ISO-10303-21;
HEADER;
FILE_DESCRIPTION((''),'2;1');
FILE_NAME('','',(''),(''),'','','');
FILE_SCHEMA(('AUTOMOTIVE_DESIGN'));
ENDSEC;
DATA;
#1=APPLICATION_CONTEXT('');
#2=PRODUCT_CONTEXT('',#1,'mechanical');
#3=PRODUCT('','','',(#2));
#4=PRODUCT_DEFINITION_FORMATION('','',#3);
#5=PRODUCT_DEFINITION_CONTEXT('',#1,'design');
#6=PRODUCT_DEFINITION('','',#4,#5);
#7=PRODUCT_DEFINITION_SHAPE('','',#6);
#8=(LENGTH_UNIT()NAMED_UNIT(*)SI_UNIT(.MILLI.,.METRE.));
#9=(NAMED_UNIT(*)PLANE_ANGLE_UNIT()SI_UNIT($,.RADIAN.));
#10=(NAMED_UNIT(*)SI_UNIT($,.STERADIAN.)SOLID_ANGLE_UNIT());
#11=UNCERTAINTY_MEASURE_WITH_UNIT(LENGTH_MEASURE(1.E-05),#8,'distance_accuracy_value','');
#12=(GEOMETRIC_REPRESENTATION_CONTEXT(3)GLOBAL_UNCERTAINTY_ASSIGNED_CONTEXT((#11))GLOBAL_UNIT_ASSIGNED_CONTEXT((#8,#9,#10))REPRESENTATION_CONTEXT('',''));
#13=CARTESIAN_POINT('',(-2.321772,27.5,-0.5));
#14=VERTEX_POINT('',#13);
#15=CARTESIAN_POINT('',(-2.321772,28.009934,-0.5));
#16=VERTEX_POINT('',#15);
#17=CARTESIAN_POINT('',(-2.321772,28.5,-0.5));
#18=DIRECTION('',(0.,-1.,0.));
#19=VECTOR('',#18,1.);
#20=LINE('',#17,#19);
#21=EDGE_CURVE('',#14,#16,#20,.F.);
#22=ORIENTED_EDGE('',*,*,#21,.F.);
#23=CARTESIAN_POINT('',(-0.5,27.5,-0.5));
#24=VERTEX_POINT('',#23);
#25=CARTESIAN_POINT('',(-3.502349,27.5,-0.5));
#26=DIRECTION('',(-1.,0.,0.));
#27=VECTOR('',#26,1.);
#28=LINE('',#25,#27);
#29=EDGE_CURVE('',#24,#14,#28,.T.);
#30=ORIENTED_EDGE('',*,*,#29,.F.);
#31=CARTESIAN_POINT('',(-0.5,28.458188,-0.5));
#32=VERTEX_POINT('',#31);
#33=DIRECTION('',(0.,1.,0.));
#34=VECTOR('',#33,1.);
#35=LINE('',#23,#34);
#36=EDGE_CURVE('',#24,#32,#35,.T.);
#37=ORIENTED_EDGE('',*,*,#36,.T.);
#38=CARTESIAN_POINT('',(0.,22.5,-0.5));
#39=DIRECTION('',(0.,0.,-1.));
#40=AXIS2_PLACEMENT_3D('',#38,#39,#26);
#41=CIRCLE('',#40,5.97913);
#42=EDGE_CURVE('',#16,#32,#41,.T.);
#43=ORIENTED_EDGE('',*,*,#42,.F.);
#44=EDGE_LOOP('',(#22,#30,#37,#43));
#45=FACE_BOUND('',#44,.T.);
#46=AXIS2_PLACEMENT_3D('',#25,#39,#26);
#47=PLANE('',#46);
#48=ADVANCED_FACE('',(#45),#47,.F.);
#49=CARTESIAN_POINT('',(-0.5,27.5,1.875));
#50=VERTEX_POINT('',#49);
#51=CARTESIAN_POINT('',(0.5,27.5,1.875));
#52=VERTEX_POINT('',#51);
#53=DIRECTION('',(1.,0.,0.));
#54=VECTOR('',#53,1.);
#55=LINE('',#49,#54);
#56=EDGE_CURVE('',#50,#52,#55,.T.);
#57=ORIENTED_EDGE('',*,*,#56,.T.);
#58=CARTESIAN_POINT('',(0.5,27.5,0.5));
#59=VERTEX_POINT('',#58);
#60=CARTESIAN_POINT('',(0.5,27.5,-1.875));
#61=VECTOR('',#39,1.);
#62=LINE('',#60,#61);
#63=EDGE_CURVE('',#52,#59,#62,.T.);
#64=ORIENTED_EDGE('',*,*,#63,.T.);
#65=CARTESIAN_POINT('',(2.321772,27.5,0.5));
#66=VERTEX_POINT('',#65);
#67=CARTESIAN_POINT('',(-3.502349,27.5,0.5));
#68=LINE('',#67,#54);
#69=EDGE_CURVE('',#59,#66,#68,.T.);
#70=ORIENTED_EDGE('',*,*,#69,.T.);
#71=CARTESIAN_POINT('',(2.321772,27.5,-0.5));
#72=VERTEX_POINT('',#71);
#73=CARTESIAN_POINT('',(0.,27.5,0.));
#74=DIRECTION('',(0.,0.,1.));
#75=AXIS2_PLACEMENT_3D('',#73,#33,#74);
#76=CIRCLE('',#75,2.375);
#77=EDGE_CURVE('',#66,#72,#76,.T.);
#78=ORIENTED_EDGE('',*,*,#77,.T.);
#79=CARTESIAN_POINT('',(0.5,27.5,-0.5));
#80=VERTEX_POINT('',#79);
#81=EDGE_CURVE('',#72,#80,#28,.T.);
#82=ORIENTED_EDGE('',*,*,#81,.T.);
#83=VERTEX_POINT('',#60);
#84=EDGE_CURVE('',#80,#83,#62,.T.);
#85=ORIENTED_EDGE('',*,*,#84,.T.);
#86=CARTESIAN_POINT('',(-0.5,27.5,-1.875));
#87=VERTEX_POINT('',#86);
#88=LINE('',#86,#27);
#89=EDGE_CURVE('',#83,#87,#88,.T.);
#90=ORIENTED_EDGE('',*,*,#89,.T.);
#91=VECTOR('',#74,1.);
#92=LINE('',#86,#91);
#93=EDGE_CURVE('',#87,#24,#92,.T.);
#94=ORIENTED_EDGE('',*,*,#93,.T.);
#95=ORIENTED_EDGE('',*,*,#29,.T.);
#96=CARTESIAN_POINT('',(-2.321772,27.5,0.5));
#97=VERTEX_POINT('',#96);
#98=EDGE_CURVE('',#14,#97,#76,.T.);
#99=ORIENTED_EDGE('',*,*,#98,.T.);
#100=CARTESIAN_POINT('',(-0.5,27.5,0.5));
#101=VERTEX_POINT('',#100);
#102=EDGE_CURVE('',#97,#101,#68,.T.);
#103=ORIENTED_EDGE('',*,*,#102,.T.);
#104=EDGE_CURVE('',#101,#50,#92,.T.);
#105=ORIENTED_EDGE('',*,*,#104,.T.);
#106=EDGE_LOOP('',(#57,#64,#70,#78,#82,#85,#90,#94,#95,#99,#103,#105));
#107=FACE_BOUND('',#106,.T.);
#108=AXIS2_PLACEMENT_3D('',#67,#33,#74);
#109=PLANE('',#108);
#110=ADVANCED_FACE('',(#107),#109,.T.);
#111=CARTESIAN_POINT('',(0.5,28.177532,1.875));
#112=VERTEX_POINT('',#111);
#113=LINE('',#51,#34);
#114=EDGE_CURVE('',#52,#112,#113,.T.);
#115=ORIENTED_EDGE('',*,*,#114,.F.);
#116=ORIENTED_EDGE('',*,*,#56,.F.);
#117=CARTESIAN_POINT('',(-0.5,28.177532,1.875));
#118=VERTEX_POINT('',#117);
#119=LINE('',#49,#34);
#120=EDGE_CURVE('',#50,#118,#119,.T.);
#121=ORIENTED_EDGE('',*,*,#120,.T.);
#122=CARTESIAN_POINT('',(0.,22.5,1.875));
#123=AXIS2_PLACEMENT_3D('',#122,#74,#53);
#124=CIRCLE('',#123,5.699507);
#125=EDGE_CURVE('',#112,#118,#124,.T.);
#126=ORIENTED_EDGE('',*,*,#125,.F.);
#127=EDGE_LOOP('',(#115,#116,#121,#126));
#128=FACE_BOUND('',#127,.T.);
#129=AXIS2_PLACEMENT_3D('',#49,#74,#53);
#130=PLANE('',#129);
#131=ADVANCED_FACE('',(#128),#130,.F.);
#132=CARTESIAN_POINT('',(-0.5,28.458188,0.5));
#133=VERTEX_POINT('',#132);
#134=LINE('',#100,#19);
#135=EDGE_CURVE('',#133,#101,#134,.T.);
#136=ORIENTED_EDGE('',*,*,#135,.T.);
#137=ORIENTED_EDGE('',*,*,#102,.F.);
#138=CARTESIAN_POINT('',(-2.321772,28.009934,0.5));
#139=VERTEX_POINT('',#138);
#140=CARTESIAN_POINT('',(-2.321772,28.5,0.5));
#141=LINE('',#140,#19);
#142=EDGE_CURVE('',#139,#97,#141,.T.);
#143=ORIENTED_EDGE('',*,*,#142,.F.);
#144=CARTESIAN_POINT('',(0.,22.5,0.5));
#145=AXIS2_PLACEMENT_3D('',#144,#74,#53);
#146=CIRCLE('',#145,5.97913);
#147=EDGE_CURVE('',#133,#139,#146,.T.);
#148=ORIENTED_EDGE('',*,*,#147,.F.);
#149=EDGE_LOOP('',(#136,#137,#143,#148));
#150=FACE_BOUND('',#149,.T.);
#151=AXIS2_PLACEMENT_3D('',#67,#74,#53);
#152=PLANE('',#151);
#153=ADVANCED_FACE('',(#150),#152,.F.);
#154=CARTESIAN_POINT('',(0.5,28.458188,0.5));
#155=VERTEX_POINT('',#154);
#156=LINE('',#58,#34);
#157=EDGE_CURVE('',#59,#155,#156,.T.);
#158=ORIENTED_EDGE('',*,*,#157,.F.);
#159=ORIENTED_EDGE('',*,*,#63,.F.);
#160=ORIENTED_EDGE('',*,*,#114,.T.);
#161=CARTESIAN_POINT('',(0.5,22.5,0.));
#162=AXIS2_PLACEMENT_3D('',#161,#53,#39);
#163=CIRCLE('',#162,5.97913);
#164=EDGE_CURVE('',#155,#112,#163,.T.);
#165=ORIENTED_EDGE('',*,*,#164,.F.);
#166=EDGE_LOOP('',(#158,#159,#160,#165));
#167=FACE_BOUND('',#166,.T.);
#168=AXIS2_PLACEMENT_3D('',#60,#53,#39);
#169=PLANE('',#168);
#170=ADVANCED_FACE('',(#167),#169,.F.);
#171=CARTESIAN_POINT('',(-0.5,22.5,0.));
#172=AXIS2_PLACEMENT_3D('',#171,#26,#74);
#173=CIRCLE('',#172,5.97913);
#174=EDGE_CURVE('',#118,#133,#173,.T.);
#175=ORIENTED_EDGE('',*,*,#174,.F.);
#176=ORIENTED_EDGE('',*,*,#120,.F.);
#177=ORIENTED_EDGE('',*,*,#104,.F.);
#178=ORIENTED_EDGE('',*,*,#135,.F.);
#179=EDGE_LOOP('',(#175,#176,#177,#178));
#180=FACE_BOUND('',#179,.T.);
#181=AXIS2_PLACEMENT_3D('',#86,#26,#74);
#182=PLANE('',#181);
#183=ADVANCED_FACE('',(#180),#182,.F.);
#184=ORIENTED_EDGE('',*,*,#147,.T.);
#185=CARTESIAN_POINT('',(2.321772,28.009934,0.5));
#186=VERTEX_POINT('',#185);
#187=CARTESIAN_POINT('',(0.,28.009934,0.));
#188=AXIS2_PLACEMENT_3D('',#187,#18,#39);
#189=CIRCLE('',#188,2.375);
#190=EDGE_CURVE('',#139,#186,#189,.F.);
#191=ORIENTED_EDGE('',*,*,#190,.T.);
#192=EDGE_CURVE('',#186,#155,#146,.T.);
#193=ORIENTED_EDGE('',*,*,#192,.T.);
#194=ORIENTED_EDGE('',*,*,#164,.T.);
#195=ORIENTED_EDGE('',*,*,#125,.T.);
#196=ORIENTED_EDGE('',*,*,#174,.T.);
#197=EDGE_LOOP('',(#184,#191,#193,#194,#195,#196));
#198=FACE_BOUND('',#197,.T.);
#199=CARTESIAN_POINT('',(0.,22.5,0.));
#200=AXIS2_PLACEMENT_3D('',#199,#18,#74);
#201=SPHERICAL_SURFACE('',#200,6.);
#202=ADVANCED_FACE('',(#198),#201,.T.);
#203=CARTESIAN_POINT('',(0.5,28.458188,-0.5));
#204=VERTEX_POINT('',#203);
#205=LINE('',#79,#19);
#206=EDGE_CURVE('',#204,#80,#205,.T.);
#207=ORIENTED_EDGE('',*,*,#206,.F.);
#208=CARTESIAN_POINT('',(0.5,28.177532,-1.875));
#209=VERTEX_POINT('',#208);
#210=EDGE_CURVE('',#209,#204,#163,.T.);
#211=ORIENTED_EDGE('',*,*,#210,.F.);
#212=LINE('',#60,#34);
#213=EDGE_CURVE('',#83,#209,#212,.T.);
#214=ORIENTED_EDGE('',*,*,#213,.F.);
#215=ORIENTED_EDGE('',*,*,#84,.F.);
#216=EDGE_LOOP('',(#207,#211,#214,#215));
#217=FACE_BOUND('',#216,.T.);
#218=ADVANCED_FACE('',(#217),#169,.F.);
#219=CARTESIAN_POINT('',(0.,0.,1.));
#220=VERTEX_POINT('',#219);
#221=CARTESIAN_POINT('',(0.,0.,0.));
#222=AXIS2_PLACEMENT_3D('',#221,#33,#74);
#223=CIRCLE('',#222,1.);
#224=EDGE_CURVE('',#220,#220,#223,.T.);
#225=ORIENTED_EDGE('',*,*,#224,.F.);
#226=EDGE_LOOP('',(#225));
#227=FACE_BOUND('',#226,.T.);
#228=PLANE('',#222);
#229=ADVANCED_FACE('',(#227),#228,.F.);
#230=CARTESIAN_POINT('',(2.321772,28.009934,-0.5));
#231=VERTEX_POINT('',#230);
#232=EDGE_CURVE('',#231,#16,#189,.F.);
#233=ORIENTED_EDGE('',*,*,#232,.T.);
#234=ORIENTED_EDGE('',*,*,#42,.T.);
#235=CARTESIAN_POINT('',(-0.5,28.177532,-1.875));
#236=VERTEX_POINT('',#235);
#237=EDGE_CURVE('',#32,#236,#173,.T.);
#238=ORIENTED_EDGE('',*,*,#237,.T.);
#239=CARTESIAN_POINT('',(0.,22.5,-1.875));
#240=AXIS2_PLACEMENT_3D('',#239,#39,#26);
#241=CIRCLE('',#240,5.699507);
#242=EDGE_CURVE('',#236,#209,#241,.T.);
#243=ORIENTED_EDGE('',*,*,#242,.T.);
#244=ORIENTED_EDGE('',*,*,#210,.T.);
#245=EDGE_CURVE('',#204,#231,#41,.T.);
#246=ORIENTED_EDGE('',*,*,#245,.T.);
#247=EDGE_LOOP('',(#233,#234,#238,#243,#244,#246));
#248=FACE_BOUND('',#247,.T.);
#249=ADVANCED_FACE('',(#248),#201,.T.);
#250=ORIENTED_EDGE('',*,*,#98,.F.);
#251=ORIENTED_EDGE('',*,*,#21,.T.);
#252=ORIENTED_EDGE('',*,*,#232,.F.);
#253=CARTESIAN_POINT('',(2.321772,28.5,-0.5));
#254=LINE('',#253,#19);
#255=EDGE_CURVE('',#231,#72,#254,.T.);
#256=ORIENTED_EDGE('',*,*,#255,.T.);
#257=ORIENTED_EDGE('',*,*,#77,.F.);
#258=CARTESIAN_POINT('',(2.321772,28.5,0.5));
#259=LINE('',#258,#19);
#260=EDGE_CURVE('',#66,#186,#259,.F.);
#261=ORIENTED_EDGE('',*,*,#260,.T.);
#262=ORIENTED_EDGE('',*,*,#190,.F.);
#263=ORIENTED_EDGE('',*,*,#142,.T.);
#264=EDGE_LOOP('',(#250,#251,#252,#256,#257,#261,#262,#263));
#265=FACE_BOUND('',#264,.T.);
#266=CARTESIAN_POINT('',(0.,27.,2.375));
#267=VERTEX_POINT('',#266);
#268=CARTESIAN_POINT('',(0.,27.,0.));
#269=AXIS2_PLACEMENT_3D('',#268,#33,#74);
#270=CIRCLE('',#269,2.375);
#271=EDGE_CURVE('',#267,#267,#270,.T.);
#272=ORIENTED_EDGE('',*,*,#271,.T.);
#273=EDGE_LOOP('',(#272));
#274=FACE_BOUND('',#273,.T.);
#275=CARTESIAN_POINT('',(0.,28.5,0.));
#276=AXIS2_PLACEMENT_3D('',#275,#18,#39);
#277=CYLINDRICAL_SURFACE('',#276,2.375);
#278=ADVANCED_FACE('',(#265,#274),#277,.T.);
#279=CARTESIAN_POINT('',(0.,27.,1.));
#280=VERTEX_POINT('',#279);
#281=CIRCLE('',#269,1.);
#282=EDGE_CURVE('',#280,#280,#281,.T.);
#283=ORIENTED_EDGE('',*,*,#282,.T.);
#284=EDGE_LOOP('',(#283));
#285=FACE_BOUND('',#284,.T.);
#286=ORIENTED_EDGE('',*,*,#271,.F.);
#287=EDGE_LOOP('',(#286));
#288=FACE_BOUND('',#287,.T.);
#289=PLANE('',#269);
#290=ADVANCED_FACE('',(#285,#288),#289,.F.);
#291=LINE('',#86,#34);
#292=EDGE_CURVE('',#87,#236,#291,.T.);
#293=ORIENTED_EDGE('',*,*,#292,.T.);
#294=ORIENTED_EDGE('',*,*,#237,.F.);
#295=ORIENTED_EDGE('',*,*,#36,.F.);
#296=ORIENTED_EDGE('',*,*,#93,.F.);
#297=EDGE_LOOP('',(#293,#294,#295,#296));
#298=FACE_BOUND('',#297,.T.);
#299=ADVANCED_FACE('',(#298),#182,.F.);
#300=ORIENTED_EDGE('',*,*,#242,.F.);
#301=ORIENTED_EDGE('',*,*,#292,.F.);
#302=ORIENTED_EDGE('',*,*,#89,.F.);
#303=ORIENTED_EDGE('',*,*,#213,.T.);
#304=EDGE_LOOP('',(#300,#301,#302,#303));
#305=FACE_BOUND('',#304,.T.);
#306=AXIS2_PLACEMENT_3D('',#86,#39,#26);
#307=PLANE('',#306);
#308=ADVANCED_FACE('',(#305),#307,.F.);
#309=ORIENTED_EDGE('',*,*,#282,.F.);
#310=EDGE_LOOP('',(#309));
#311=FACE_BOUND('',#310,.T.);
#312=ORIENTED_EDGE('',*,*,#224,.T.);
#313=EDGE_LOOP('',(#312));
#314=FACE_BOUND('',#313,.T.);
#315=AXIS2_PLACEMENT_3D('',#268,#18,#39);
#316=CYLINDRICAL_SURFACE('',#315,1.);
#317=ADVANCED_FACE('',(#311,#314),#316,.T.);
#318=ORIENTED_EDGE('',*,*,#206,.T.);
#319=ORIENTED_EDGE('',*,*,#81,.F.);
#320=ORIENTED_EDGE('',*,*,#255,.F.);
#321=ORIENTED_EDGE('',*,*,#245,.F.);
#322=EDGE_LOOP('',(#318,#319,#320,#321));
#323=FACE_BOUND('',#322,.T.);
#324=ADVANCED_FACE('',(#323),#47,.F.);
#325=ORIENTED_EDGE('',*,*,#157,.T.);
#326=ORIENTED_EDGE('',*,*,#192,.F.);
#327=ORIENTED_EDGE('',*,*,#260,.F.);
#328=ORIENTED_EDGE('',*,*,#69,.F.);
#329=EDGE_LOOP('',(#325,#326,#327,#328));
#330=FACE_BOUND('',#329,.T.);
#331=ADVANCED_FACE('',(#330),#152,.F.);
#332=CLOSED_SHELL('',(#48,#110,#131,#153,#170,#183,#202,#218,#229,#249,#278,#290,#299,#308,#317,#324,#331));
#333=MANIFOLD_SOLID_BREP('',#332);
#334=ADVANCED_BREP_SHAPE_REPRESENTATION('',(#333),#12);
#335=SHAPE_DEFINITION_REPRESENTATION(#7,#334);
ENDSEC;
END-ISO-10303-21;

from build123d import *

# Parameters (mm, degrees)
SKETCH_1_R          = 1
EXTRUDE_1_DEPTH     = 27
SKETCH_2_R          = 2.375
EXTRUDE_2_DEPTH     = 1.5
SKETCH_3_W          = 7.004697232
SKETCH_3_H          = 1
CUT_EXTRUDE_1_DEPTH = 1
SKETCH_4_W          = 1
SKETCH_4_H          = 3.75
CUT_EXTRUDE_2_DEPTH = 1


with BuildPart() as part:
    # 草图1 → 拉伸1 (new body)
    with BuildSketch(Plane(origin=(0, 0, 0), x_dir=(1, 0, 0), z_dir=(0, 1, 0))):
        with Locations(Location((0, 0, 0), (0, 0, 270))):
            Circle(SKETCH_1_R)
    extrude(amount=EXTRUDE_1_DEPTH)

    # 草图2 → 拉伸2 (add)
    with BuildSketch(Plane(origin=(0, 27, 0), x_dir=(-1, 0, 0), z_dir=(0, 1, 0))):
        with Locations(Location((0, 0, 0), (0, 0, 90))):
            Circle(SKETCH_2_R)
    extrude(amount=EXTRUDE_2_DEPTH)

    # 草图3 → 切除-拉伸1 (cut)
    with BuildSketch(Plane(origin=(0, 28.5, 0), x_dir=(-1, 0, 0), z_dir=(0, 1, 0))):
        Rectangle(SKETCH_3_W, SKETCH_3_H)
    extrude(amount=-CUT_EXTRUDE_1_DEPTH, mode=Mode.SUBTRACT)

    # 草图4 → 切除-拉伸2 (cut)
    with BuildSketch(Plane(origin=(0, 28.5, 0), x_dir=(-1, 0, 0), z_dir=(0, 1, 0))):
        Rectangle(SKETCH_4_W, SKETCH_4_H)
    extrude(amount=-CUT_EXTRUDE_2_DEPTH, mode=Mode.SUBTRACT)

    # 草图5 → 切除-旋转16 (revolve, cut)
    with BuildSketch(Plane(origin=(0, 0, 0), x_dir=(0, 0, -1), z_dir=(1, 0, 0)), mode=Mode.PRIVATE) as cut_revolve_16_sk:
        with BuildLine():
            Line((0, 31.949208276), (-3.49520534, 31.949208276))
            Line((-3.49520534, 31.949208276), (-3.49520534, 27.376837052))
            ThreePointArc((-3.49520534, 27.376837052), (-1.835616748, 28.212312242), (0, 28.5))
            Line((0, 28.5), (0, 31.949208276))
        make_face()
    revolve(cut_revolve_16_sk.sketch.rotate(Axis((0, -2.105917543, 0), (0, 1, 0)), 257.846802531), axis=Axis((0, -2.105917543, 0), (0, 1, 0)), mode=Mode.SUBTRACT)


solid = part.part
